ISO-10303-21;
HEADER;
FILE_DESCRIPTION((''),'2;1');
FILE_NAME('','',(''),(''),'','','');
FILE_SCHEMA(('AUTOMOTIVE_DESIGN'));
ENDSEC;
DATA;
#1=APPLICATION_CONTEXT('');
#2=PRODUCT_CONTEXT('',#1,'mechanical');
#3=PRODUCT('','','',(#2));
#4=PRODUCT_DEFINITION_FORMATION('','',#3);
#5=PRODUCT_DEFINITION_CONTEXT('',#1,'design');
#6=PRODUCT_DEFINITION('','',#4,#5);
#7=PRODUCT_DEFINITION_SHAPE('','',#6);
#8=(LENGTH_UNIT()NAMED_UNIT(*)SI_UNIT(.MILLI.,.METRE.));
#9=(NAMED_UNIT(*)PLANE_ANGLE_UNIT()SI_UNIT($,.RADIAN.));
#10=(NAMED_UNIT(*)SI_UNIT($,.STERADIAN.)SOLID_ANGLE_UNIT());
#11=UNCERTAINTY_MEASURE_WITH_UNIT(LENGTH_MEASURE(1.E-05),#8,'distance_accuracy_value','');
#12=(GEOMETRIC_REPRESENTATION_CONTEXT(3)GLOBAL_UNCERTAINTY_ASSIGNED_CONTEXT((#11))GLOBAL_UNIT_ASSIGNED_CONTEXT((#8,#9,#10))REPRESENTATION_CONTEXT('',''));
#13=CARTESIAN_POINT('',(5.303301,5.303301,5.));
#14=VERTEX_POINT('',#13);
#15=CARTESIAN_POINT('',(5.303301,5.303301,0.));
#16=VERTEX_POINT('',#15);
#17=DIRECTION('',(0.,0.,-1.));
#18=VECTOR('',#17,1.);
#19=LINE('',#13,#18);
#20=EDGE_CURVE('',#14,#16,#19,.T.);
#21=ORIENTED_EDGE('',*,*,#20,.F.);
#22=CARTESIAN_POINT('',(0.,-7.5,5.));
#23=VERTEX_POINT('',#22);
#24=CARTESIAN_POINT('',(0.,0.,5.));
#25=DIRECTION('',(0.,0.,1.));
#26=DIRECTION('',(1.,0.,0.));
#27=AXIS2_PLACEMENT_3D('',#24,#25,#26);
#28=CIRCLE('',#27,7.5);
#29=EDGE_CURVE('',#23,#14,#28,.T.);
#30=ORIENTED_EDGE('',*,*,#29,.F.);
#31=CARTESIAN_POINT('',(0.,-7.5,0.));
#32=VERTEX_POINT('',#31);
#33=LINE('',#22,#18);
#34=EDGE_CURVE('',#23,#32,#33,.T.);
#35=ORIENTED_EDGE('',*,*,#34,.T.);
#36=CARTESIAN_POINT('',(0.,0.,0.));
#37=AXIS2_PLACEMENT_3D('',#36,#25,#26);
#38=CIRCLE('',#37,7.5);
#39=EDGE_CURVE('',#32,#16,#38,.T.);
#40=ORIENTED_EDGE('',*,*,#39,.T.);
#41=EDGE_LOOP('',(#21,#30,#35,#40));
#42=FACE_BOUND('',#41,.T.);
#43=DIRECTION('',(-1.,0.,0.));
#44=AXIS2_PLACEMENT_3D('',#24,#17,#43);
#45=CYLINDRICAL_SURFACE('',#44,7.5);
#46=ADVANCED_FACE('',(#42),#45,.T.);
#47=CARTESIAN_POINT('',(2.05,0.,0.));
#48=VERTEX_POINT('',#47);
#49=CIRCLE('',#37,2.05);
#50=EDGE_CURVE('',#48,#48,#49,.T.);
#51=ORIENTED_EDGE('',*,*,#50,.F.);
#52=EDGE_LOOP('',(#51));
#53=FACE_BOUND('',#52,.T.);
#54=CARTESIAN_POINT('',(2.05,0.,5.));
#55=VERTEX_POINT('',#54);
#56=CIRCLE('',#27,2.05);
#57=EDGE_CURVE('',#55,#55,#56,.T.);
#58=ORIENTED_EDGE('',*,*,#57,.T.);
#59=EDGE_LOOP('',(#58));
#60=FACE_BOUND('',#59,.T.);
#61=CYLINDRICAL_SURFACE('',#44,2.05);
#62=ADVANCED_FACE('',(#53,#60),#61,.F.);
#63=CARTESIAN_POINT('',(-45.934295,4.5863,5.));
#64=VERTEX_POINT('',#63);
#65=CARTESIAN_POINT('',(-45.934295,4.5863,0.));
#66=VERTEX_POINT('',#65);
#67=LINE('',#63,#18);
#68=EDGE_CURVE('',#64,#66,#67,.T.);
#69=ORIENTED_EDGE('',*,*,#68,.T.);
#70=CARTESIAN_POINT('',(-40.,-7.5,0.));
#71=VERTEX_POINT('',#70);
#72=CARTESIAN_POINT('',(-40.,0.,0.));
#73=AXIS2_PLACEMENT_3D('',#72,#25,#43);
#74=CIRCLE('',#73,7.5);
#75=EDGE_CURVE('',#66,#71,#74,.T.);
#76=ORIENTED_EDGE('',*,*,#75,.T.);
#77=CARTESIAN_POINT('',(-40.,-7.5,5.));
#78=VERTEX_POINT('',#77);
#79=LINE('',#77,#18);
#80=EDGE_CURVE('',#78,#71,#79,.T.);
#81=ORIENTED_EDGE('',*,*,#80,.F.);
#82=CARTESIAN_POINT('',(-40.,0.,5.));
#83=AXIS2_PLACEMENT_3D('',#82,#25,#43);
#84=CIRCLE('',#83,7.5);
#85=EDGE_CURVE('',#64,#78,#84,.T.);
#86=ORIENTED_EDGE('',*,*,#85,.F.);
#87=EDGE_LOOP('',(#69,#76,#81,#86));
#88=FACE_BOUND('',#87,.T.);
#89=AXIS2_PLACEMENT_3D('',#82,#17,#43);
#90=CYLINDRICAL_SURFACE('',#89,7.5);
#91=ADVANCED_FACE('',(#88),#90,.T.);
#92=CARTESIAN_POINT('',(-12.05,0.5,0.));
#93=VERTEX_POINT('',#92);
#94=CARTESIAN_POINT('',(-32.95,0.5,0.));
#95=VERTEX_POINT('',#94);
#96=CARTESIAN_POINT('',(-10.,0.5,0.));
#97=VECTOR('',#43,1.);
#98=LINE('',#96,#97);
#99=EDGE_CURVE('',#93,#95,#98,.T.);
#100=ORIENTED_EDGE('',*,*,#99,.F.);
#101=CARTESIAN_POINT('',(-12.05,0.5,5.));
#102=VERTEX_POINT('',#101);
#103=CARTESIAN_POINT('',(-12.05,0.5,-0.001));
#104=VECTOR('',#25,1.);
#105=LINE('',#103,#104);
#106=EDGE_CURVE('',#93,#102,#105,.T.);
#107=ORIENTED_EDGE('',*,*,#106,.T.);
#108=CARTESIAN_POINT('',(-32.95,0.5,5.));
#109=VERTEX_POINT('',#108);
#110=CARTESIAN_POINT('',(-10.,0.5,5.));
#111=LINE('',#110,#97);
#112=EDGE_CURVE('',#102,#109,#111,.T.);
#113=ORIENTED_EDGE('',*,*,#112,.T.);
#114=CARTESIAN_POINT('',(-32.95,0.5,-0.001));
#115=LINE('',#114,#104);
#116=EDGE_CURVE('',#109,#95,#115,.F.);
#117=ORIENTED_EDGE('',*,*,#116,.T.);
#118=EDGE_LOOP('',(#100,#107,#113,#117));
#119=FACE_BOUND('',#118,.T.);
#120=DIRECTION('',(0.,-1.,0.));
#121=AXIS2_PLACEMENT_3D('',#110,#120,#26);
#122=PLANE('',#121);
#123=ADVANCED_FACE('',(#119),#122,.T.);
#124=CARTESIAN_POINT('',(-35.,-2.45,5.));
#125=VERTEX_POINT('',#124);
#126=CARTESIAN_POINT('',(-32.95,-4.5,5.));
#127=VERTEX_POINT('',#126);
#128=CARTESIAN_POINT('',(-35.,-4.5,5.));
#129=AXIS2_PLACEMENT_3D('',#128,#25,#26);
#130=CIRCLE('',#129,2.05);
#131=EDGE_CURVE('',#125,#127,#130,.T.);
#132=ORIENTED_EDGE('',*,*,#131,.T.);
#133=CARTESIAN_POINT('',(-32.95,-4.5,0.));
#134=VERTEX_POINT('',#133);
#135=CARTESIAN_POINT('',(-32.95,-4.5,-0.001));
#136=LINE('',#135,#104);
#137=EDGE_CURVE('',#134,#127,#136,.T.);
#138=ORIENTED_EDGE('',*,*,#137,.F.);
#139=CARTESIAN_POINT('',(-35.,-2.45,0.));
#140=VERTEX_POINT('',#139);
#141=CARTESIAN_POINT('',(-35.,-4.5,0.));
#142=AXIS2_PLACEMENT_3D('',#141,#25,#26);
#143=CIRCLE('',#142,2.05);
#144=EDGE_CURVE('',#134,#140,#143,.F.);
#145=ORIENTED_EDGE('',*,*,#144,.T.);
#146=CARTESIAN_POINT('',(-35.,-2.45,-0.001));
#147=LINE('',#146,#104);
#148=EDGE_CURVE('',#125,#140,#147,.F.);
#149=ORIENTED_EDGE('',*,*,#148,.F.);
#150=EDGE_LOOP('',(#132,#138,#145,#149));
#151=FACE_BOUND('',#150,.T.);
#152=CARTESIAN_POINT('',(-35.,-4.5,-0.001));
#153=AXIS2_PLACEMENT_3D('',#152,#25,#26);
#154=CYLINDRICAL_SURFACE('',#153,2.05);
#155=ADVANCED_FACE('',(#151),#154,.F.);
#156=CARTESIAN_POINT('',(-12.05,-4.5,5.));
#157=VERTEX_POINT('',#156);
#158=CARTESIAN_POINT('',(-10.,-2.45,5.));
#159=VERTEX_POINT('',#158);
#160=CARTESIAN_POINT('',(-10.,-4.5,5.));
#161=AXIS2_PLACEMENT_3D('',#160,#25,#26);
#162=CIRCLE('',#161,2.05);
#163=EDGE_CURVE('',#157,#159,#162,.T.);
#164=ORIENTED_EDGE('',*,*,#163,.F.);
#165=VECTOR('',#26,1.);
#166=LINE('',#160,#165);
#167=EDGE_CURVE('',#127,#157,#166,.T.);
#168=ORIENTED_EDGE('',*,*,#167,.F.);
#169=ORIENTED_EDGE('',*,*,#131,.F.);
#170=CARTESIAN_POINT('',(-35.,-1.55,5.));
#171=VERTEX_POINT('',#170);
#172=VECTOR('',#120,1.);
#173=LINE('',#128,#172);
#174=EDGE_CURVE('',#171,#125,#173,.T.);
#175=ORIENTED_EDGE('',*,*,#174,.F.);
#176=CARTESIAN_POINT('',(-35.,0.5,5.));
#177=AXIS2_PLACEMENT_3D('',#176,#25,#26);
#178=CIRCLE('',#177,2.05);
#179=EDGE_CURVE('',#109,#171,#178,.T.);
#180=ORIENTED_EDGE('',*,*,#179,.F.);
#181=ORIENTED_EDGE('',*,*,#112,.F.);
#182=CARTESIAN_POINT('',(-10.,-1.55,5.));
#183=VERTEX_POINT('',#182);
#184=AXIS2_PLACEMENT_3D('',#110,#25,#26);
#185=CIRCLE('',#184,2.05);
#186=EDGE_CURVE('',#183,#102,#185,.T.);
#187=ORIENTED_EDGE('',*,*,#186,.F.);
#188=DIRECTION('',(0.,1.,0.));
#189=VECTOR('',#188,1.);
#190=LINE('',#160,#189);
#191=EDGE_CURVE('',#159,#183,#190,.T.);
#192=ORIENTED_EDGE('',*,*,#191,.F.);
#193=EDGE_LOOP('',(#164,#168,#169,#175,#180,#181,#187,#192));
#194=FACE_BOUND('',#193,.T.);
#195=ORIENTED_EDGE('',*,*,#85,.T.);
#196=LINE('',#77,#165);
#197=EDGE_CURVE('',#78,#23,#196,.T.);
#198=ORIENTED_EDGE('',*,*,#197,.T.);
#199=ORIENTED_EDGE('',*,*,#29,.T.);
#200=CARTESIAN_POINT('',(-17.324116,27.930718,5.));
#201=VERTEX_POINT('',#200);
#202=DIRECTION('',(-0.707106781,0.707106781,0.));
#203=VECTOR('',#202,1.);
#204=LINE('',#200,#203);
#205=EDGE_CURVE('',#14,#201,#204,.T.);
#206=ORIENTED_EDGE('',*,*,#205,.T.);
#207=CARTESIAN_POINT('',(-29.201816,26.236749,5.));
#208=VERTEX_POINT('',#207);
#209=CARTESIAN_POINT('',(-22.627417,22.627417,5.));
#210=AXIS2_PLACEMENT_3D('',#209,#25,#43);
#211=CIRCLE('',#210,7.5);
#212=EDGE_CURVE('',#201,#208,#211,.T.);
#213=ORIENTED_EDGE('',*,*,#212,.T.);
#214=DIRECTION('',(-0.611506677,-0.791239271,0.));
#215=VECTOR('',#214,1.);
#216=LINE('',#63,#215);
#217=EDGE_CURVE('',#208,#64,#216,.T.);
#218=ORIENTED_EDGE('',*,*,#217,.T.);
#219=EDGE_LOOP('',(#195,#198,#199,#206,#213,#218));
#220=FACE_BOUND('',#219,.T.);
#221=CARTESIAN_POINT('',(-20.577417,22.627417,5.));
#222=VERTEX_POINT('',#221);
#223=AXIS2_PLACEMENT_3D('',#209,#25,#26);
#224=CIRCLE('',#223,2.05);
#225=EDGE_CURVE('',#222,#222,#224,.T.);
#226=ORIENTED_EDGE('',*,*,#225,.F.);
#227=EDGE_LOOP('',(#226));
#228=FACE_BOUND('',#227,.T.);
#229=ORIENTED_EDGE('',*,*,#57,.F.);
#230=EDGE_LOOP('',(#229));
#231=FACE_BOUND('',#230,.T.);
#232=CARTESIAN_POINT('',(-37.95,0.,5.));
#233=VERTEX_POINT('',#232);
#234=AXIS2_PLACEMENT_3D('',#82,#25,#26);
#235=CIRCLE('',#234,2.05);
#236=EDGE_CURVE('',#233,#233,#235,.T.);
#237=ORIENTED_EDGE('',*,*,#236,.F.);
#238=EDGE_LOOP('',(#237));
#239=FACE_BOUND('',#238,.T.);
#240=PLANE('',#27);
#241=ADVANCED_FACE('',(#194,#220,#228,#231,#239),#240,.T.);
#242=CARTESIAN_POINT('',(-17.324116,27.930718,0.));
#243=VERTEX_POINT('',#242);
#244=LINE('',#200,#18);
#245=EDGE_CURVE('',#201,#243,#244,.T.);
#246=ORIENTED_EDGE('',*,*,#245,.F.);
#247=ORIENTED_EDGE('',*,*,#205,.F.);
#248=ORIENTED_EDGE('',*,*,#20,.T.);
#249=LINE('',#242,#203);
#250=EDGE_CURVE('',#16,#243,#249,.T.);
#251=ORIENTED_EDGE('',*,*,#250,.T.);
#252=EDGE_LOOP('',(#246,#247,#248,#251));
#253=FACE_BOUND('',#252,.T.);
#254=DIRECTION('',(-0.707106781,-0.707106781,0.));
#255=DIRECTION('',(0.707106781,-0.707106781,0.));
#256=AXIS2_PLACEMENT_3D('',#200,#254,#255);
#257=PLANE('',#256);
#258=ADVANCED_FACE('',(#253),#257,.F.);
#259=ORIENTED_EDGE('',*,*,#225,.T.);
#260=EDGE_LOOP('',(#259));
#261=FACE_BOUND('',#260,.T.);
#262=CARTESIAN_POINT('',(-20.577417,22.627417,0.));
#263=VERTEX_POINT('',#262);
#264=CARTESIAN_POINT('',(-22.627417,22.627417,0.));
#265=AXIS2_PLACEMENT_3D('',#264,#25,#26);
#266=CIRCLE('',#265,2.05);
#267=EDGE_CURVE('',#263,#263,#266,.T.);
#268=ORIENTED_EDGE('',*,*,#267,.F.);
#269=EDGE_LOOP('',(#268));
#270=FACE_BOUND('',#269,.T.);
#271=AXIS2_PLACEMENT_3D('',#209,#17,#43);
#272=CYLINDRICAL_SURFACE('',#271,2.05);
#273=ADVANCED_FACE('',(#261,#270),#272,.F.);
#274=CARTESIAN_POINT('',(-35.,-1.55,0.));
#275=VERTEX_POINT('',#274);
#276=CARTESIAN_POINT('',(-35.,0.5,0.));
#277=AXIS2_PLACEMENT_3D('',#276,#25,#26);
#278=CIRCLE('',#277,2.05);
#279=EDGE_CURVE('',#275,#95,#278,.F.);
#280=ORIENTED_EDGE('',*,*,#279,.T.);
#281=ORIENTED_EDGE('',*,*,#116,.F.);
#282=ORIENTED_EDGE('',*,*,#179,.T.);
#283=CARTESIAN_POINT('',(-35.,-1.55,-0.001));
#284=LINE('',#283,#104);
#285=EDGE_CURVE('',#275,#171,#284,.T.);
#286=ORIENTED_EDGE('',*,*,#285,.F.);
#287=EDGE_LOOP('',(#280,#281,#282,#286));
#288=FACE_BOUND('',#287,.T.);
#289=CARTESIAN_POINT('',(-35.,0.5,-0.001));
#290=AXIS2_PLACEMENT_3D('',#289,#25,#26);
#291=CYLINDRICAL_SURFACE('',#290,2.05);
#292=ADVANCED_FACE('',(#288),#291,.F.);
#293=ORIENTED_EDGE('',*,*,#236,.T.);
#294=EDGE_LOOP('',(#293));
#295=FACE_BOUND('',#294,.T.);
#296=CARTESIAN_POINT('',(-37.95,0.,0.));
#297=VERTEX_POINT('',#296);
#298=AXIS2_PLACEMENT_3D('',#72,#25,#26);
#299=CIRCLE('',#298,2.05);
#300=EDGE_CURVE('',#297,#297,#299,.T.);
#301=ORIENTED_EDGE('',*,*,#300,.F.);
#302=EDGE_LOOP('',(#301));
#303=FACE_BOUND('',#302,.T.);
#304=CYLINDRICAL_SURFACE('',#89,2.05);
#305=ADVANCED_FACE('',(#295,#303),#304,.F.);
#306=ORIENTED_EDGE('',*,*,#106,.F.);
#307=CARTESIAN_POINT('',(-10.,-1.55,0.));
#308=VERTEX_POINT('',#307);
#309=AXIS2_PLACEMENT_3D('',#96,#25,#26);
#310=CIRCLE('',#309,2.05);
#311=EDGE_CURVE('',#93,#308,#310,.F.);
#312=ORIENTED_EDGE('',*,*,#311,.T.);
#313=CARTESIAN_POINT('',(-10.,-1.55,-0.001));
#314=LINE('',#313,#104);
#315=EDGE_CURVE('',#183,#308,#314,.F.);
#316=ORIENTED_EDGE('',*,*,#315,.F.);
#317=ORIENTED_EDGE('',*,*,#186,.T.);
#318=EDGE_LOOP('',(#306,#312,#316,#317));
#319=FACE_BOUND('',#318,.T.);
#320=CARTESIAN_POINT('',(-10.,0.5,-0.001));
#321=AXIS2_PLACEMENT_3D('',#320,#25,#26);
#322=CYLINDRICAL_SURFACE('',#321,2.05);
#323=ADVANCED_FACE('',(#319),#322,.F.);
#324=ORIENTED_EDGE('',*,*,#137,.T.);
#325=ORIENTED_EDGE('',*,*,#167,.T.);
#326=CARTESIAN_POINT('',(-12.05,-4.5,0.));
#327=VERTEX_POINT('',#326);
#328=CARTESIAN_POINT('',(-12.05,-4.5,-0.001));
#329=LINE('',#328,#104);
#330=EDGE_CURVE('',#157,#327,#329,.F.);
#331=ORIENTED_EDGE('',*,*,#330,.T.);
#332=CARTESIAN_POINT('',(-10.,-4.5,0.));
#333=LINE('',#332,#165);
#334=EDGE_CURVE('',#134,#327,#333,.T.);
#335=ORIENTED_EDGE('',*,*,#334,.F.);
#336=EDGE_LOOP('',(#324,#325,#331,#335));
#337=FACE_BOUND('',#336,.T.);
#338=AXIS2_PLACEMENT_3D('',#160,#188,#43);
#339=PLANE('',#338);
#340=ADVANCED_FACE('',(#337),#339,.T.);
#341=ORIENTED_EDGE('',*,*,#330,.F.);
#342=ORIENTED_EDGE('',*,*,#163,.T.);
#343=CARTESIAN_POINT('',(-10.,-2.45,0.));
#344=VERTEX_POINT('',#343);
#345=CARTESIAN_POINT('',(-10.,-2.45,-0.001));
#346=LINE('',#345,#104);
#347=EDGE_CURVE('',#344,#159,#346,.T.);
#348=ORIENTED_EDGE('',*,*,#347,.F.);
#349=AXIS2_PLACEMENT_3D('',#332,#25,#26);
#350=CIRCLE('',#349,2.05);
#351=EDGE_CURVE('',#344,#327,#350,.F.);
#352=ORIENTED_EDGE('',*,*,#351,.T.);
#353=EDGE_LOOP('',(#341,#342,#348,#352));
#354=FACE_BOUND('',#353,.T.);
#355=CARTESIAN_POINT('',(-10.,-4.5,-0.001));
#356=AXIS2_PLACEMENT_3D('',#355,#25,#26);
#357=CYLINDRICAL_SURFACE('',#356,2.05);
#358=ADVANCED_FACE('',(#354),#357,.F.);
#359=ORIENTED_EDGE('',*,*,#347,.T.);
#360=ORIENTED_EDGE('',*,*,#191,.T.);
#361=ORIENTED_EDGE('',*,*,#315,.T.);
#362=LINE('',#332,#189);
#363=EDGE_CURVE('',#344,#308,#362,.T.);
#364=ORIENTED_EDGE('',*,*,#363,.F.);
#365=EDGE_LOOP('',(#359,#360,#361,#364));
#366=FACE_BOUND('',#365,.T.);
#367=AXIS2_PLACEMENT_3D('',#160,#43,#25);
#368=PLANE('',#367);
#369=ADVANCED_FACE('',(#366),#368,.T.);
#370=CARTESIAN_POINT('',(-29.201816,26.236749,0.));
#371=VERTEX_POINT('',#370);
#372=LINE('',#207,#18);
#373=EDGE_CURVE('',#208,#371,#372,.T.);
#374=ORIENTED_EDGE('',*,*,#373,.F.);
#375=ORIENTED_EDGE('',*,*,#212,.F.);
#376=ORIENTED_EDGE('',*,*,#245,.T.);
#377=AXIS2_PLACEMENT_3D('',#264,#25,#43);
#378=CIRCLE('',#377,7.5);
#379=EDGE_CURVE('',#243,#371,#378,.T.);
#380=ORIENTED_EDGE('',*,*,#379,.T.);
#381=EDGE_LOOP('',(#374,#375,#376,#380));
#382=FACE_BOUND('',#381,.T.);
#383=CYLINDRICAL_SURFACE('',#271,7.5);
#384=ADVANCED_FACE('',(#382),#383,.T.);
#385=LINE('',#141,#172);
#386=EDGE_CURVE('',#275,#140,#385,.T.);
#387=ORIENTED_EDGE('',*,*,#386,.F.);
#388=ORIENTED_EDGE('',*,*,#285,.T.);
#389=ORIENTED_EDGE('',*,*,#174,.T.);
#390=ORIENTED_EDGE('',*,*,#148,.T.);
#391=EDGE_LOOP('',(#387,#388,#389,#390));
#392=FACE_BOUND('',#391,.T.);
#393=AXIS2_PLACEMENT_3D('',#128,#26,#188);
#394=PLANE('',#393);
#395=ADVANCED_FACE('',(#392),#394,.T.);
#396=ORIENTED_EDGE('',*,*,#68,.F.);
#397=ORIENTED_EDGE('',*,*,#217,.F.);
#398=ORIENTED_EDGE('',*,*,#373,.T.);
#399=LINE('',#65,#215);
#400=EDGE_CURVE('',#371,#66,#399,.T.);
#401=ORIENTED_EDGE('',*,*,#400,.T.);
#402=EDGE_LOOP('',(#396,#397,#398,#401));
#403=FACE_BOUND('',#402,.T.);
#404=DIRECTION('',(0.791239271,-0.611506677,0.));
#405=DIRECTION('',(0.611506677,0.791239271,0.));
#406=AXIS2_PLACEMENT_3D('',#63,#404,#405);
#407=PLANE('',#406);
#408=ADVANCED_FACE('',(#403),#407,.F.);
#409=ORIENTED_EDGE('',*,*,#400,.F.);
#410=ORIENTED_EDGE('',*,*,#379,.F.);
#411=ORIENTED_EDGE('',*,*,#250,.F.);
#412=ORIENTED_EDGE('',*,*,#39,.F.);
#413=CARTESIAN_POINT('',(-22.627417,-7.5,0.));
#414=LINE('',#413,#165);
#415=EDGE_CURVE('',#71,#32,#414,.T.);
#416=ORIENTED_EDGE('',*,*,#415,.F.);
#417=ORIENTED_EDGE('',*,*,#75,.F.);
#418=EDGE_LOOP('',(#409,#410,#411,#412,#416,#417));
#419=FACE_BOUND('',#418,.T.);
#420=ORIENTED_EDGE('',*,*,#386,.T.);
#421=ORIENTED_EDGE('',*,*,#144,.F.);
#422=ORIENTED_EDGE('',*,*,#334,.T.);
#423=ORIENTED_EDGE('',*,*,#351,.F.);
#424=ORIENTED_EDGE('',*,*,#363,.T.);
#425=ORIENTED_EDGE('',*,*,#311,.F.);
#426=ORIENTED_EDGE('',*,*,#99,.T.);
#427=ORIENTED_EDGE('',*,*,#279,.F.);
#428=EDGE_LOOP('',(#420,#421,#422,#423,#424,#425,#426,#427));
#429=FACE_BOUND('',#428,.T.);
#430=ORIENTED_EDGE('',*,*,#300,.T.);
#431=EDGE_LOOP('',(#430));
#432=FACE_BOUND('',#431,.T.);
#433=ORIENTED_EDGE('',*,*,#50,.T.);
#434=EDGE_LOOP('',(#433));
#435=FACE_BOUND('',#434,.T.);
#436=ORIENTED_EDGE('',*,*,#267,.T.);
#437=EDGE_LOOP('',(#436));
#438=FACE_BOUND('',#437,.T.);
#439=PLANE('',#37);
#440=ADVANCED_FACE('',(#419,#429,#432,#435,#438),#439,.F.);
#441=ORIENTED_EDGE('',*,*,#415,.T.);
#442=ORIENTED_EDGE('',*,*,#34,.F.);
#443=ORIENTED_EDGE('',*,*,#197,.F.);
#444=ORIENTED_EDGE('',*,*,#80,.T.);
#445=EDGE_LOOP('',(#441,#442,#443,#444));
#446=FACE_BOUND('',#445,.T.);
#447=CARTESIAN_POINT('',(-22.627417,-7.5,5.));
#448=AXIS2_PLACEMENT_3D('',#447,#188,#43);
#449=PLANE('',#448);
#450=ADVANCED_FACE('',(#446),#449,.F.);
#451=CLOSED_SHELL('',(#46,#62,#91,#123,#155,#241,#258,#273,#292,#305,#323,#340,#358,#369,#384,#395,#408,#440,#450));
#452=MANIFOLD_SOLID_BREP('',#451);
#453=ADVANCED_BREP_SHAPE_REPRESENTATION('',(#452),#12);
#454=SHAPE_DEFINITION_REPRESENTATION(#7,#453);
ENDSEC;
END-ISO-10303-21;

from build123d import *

# Parameters (mm, degrees)
SCHIZZO1_R                   = 2.05
SCHIZZO1_W                   = 25
SCHIZZO1_H                   = 5
ESTRUSIONE_ESTRUSIONE2_DEPTH = 5
CUT_EXTRUDE1_REACH           = 7
SKETCH1_R                    = 2.05


with BuildPart() as part:
    # Schizzo1 → Estrusione-Estrusione2 (new body)
    with BuildSketch(Plane.XY):
        with BuildLine():
            Line((-22.627416998, -7.5), (0, -7.5))
            ThreePointArc((0, -7.5), (6.929096494, -2.870125743), (5.303300859, 5.303300859))
            Line((5.303300859, 5.303300859), (-17.324116139, 27.930717857))
            ThreePointArc((-17.324116139, 27.930717857), (-23.686333927, 30.052287026), (-29.20181593, 26.236749163))
            Line((-29.20181593, 26.236749163), (-45.934294533, 4.586300077))
            ThreePointArc((-45.934294533, 4.586300077), (-46.732282324, -3.305506726), (-40, -7.5))
            Line((-40, -7.5), (-22.627416998, -7.5))
        make_face()
        Circle(SCHIZZO1_R, mode=Mode.SUBTRACT)
        with Locations((-22.627416998, 22.627416998)):
            Circle(SCHIZZO1_R, mode=Mode.SUBTRACT)
        with Locations((-40, 0)):
            Circle(SCHIZZO1_R, mode=Mode.SUBTRACT)
        with Locations((-22.5, -2)):
            Rectangle(SCHIZZO1_W, SCHIZZO1_H, mode=Mode.SUBTRACT)
    extrude(amount=ESTRUSIONE_ESTRUSIONE2_DEPTH)

    # Sketch1 → Cut-Extrude1 (cut, up to next)
    with BuildSketch(Plane.XY.offset(5), mode=Mode.PRIVATE) as cut_extrude1_sk1:
        with Locations((-35, 0.5)):
            Circle(SKETCH1_R)
    cut_extrude1_tool1 = extrude(cut_extrude1_sk1.sketch, amount=-CUT_EXTRUDE1_REACH, mode=Mode.PRIVATE) & part.part
    add(cut_extrude1_tool1.solids().sort_by_distance((-35, 0.5, 5))[0], mode=Mode.SUBTRACT)
    # Sketch1 → Cut-Extrude1 (cut, up to next)
    with BuildSketch(Plane.XY.offset(5), mode=Mode.PRIVATE) as cut_extrude1_sk2:
        with Locations((-35, -4.5)):
            Circle(SKETCH1_R)
    cut_extrude1_tool2 = extrude(cut_extrude1_sk2.sketch, amount=-CUT_EXTRUDE1_REACH, mode=Mode.PRIVATE) & part.part
    add(cut_extrude1_tool2.solids().sort_by_distance((-35, -4.5, 5))[0], mode=Mode.SUBTRACT)
    # Sketch1 → Cut-Extrude1 (cut, up to next)
    with BuildSketch(Plane.XY.offset(5), mode=Mode.PRIVATE) as cut_extrude1_sk3:
        with Locations((-10, -4.5)):
            Circle(SKETCH1_R)
    cut_extrude1_tool3 = extrude(cut_extrude1_sk3.sketch, amount=-CUT_EXTRUDE1_REACH, mode=Mode.PRIVATE) & part.part
    add(cut_extrude1_tool3.solids().sort_by_distance((-10, -4.5, 5))[0], mode=Mode.SUBTRACT)
    # Sketch1 → Cut-Extrude1 (cut, up to next)
    with BuildSketch(Plane.XY.offset(5), mode=Mode.PRIVATE) as cut_extrude1_sk4:
        with Locations((-10, 0.5)):
            Circle(SKETCH1_R)
    cut_extrude1_tool4 = extrude(cut_extrude1_sk4.sketch, amount=-CUT_EXTRUDE1_REACH, mode=Mode.PRIVATE) & part.part
    add(cut_extrude1_tool4.solids().sort_by_distance((-10, 0.5, 5))[0], mode=Mode.SUBTRACT)


solid = part.part
